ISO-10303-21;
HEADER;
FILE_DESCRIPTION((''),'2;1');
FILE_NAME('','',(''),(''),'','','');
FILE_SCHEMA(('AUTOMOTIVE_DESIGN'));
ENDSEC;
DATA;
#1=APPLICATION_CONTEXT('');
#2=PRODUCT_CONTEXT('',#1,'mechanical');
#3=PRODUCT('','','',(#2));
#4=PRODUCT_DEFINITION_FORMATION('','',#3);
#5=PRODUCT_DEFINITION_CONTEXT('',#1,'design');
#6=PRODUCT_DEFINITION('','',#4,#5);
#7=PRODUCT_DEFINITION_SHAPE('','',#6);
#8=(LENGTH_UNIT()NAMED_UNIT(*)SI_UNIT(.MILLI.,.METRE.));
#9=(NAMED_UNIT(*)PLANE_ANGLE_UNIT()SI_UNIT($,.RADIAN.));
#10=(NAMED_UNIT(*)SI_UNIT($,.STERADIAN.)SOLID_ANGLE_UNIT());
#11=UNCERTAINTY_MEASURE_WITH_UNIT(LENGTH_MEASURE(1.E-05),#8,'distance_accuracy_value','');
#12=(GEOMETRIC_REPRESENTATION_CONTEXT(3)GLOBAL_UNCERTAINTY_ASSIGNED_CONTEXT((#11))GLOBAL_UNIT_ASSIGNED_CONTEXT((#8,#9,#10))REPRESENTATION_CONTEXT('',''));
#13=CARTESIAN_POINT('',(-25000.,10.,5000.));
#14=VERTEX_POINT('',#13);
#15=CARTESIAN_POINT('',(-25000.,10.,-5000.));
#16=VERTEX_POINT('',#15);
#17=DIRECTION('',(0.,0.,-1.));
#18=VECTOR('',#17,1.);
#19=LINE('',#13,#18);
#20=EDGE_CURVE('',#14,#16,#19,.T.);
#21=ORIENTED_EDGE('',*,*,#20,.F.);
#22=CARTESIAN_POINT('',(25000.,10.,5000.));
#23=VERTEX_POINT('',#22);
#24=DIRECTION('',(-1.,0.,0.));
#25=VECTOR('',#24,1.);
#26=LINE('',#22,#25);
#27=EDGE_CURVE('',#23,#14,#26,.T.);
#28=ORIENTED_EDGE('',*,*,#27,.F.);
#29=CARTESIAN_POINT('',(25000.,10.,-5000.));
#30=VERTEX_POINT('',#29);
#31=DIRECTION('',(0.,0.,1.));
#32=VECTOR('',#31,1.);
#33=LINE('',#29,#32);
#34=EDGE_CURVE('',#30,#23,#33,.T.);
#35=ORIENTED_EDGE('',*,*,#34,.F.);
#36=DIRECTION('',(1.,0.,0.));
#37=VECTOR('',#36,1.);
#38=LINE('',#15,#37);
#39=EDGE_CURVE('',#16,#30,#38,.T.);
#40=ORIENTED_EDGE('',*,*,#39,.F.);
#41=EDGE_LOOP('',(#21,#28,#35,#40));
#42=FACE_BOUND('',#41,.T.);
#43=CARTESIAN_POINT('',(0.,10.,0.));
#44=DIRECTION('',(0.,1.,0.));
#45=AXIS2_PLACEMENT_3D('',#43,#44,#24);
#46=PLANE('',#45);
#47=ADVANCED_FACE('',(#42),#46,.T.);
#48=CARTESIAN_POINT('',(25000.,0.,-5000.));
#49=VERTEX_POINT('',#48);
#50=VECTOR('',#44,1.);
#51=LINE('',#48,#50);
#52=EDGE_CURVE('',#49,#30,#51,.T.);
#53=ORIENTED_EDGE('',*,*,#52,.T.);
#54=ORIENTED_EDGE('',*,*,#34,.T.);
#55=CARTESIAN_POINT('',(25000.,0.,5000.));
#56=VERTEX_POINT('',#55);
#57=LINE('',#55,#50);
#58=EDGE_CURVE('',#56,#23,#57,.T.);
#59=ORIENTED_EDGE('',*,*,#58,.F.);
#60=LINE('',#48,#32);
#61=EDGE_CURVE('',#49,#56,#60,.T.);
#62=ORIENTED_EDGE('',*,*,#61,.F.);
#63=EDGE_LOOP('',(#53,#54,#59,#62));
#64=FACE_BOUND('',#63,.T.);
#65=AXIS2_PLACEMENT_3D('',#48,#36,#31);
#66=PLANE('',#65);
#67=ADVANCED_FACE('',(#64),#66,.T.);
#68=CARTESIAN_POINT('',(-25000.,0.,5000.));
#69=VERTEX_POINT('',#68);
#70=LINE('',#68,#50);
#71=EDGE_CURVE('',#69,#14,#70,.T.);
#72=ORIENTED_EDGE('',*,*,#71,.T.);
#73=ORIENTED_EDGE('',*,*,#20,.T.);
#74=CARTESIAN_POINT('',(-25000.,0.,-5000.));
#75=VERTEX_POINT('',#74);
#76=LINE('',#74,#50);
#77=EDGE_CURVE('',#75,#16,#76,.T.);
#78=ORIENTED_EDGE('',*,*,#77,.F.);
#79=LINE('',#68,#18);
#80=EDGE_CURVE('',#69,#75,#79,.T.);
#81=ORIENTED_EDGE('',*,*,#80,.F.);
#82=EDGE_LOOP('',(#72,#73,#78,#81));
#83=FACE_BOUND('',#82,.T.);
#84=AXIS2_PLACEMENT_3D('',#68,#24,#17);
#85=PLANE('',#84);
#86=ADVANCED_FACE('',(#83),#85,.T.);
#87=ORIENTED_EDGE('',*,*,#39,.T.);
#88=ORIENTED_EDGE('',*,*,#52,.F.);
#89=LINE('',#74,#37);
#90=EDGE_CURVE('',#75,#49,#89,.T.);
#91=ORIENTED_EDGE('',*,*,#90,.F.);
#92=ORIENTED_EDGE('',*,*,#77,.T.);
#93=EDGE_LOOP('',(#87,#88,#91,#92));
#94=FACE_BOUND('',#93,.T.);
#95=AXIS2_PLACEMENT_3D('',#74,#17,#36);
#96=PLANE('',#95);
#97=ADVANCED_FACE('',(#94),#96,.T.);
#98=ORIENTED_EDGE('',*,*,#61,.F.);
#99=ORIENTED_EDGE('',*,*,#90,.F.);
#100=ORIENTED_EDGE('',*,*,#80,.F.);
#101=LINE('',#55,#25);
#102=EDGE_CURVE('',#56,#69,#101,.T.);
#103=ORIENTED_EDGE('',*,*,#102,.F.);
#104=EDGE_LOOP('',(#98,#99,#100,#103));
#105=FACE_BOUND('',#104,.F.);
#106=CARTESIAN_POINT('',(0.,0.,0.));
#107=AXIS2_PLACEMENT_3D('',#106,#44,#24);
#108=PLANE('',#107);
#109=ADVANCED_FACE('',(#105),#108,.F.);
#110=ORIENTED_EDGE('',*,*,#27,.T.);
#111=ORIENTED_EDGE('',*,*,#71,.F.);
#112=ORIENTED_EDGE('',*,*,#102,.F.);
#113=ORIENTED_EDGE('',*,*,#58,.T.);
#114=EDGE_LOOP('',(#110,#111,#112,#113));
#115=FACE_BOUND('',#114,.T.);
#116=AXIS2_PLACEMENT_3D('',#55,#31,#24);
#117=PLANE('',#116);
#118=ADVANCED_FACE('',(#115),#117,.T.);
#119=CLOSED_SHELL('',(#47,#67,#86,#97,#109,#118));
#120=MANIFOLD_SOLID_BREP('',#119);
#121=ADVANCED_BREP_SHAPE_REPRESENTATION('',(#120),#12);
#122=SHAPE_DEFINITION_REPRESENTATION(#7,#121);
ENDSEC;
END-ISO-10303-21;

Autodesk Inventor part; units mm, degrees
ref_plane "YZ Plane" through (0, 0, 0) normal (1, 0, 0) x (0, 1, 0)
ref_plane "XZ Plane" through (0, 0, 0) normal (0, 1, 0) x (-1, 0, 0)
ref_plane "XY Plane" through (0, 0, 0) normal (0, 0, 1) x (1, 0, 0)
sketch "Sketch1" plane through (0, 0, 0) normal (0, 1, 0) x (-1, 0, 0)
  line L0 (-25000, 5000) -> (25000, 5000)
  line L1 (25000, 5000) -> (25000, -5000)
  line L2 (25000, -5000) -> (-25000, -5000)
  line L3 (-25000, -5000) -> (-25000, 5000)
  line L4 (-25000, 5000) -> (25000, -5000) construction
  line L5 (25000, 5000) -> (-25000, -5000) construction
  point P0 (0, 0)
  dimension "d0" = 50000
  dimension "d1" = 10000
extrude "Extrusion1" add sketch "Sketch1" along normal blind 10
properties part number "piso"
